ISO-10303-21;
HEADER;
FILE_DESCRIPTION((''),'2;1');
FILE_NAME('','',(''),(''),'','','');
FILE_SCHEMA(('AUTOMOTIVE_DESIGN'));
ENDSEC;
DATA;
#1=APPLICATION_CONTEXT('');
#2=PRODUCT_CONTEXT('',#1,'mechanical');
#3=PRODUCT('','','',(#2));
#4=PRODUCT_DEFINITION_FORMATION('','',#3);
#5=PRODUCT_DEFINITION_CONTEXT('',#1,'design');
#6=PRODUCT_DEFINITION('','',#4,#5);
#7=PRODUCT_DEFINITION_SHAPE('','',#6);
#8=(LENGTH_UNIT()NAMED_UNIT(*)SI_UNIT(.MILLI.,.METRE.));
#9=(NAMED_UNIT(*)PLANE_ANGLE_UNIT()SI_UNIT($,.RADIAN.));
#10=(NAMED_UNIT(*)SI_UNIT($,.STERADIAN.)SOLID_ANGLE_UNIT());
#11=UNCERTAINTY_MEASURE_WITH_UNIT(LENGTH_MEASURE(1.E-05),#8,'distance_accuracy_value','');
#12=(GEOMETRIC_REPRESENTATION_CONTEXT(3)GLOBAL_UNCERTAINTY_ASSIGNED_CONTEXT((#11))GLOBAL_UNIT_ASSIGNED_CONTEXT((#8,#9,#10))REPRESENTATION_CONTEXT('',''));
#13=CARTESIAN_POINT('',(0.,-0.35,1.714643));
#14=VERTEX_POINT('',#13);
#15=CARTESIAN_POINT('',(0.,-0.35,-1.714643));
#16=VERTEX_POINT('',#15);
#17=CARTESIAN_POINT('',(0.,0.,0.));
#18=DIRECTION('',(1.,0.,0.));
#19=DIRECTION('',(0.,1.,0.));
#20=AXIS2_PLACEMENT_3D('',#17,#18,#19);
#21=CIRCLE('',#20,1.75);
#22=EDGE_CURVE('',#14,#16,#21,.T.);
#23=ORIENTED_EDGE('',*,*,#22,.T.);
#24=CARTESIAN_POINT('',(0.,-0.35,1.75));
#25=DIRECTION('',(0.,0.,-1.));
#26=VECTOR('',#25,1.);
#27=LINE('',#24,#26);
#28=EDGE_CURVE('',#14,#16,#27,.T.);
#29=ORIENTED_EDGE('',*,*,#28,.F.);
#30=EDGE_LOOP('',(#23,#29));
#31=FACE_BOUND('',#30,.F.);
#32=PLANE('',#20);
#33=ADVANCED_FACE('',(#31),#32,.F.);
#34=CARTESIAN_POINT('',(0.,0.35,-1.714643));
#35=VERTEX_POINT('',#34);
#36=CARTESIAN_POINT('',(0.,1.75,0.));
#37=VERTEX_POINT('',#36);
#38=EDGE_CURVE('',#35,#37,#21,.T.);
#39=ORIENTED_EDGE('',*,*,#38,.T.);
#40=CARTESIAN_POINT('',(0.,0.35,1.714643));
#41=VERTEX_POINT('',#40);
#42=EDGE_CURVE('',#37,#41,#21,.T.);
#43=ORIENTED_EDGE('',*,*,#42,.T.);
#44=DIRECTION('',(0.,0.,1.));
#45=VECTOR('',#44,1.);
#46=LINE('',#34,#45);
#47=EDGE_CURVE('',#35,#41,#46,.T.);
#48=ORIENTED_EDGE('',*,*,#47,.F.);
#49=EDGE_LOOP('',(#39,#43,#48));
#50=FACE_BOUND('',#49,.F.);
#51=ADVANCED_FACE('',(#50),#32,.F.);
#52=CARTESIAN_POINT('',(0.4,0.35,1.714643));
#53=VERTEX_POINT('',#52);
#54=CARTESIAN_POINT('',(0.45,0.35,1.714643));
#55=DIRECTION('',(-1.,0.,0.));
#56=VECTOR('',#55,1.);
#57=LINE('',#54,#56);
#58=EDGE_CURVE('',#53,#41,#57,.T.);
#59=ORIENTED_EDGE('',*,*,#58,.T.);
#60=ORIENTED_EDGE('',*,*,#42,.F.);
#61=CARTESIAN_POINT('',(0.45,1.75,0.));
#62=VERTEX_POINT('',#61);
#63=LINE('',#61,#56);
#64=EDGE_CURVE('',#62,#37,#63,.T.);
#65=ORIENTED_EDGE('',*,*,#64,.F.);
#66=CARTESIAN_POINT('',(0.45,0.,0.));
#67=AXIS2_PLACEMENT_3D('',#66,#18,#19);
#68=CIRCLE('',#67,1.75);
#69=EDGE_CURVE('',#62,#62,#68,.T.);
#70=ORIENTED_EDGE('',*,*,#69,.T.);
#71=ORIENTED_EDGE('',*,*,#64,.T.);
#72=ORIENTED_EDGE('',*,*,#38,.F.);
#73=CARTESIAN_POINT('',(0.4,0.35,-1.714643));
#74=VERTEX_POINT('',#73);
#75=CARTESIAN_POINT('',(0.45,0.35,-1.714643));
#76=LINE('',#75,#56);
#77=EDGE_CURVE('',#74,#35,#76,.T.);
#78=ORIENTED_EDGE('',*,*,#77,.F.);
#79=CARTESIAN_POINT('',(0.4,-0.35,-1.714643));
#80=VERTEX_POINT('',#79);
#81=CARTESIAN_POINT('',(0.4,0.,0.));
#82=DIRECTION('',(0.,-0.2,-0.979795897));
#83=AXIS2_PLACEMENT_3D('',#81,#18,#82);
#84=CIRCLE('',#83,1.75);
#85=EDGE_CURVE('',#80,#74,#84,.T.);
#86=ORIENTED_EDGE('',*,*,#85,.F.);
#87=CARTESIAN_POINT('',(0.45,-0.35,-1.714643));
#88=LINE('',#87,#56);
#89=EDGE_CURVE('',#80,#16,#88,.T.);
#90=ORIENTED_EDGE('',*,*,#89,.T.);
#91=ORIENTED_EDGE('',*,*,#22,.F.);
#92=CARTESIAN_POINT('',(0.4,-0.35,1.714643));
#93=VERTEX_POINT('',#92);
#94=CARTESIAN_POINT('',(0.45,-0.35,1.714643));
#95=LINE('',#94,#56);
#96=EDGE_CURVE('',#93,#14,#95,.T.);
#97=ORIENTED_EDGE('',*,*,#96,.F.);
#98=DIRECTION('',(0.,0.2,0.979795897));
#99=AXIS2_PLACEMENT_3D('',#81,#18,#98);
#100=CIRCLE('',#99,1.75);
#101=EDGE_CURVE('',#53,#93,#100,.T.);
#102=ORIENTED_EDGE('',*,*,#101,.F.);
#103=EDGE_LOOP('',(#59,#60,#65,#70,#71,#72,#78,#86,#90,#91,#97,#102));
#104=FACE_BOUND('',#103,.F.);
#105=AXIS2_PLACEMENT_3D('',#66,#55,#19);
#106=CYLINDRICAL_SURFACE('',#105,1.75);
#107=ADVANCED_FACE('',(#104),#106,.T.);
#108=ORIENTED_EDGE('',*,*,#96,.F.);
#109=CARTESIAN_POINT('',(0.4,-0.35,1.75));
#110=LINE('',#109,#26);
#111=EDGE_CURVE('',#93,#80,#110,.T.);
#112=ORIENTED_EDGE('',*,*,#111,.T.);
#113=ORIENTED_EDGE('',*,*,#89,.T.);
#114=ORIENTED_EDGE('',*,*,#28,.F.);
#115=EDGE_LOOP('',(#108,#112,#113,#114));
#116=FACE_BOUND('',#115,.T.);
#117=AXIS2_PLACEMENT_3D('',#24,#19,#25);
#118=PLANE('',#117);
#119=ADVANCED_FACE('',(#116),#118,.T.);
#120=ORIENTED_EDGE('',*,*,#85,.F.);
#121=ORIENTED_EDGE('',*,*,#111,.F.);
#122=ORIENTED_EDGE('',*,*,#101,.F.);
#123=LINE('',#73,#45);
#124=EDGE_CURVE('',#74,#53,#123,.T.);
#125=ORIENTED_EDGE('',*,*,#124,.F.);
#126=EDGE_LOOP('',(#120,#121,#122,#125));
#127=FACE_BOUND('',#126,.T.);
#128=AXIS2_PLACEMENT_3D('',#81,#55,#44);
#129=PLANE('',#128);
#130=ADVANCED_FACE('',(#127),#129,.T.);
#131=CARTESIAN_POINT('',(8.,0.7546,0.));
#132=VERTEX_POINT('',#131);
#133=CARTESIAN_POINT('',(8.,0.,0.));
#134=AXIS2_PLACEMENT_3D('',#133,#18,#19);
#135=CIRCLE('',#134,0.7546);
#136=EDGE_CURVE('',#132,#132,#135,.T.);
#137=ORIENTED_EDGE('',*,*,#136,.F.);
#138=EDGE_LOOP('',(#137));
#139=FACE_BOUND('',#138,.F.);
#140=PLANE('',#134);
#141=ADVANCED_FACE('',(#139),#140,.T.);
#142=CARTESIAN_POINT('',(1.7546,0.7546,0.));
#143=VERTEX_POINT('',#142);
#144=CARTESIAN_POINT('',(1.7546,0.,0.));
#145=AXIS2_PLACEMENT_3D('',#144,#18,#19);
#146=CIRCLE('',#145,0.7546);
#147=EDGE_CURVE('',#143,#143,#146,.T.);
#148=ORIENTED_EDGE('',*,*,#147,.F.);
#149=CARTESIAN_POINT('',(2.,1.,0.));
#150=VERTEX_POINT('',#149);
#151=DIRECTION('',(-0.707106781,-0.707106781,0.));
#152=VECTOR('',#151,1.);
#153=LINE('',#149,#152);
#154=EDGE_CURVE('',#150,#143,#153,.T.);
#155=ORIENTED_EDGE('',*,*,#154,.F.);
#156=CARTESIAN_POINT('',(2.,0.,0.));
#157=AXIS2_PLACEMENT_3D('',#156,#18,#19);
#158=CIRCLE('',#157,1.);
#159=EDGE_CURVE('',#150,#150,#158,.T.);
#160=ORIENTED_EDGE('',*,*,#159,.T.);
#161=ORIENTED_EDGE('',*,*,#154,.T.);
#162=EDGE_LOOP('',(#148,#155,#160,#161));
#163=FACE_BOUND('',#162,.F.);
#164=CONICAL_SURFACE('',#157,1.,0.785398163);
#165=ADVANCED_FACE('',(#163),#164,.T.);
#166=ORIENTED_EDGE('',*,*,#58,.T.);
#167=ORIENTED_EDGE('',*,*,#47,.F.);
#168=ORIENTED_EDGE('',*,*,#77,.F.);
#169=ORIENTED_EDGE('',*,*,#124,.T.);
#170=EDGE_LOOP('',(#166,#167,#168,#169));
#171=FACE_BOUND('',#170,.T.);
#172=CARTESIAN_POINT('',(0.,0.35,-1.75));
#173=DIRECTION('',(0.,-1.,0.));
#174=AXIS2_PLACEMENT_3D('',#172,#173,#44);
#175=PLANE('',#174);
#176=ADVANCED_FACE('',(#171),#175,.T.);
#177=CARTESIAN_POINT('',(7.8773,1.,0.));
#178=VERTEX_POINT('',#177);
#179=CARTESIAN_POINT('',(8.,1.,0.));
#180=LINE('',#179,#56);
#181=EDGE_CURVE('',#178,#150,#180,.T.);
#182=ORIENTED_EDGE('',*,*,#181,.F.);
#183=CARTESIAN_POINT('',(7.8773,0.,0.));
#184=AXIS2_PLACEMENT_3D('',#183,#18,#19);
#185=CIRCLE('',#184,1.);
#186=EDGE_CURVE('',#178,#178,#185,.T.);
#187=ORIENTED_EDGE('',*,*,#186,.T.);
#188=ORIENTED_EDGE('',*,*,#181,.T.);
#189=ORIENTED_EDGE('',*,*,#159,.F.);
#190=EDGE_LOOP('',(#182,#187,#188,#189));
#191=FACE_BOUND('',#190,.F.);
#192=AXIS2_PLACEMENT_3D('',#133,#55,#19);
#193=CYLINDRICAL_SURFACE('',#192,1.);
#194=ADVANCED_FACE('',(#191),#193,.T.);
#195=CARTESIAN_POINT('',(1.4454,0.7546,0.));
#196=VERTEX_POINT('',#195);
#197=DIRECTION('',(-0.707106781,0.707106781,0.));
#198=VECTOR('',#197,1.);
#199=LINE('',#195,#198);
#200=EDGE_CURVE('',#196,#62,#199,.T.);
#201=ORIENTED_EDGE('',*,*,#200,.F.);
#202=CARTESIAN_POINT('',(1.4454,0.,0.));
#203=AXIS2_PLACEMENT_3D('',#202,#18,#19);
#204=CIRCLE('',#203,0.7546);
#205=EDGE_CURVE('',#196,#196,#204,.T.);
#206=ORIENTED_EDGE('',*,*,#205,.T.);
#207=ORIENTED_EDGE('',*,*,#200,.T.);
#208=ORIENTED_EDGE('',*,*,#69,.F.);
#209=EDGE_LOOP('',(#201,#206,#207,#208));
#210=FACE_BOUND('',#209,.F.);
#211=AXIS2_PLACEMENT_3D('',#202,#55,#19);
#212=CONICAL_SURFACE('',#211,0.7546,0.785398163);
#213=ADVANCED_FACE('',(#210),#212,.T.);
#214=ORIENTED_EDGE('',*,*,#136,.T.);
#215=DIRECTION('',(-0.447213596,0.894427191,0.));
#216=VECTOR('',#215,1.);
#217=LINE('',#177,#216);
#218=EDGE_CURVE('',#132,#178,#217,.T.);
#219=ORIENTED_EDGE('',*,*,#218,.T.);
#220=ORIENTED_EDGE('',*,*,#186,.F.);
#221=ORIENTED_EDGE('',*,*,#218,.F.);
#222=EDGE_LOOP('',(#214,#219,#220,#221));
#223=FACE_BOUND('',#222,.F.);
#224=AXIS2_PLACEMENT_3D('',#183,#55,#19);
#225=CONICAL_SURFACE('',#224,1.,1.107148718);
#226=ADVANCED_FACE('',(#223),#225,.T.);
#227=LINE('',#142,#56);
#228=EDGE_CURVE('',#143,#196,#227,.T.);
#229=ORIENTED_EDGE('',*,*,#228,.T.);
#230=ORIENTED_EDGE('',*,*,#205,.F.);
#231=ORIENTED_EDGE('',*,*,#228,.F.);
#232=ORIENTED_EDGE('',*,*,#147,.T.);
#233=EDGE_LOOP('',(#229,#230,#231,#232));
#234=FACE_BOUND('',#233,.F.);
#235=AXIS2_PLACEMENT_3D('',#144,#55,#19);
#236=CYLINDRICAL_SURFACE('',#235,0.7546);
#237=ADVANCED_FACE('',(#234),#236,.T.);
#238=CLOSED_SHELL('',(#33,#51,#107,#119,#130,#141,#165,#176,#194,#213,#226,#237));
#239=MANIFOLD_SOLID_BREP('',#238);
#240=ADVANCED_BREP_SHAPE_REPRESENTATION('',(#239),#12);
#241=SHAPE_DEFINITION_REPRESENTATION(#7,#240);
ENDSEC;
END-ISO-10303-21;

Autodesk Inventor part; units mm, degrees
ref_plane "YZ Plane" through (0, 0, 0) normal (1, 0, 0) x (0, 1, 0)
ref_plane "XZ Plane" through (0, 0, 0) normal (0, 1, 0) x (-1, 0, 0)
sketch "Sketch1" plane through (0, 0, 0) normal (0, 0, 1) x (1, 0, 0)
  line L0 (0, 0) -> (8, 0)
  line L1 (8, 0) -> (8, 1)
  line L2 (8, 1) -> (2, 1)
  line L3 (2, 1) -> (1.7546, 0.7546)
  line L4 (1.7546, 0.7546) -> (1.4454, 0.7546)
  line L5 (1.4454, 0.7546) -> (0.45, 1.75)
  line L6 (0.45, 1.75) -> (0, 1.75)
  line L7 (0, 1.75) -> (0, 0)
  line L8 (2, 1) -> (1.2, 1) construction
  line L9 (-1.6, 0) -> (9.6, 0) projected
  line L10 (0, 2.1) -> (0, -0.35) projected
  dimension "d0" = 8
  dimension "d1" = 45
  dimension "d2" = 0.2454
  dimension "d3" = 6
  dimension "d4" = 1.2
  dimension "d5" = 1.5092
  dimension "d6" = 2
  dimension "d7" = 3.5
revolve "Body" add sketch "Sketch1" angle 360 about axis through (0, 0, 0) along (1, 0, 0)
sketch "Sketch2" plane through (0, 0, 0) normal (-1, 0, 0) x (0, 0, 1)
  line L0 (1.75, -0.35) -> (-1.75, -0.35)
  line L1 (-1.75, -0.35) -> (-1.75, 0.35)
  line L2 (-1.75, 0.35) -> (1.75, 0.35)
  line L3 (1.75, 0.35) -> (1.75, -0.35)
  line L4 (0, 0.35) -> (0, -0.35) construction
  line L5 (-1.75, 0) -> (1.75, 0) construction
  line L6 (0, 1.75) -> (0, 0) projected
  dimension "d15" = 0.7
  dimension "d16" = 3.5
extrude "Slot" cut sketch "Sketch2" against normal blind 0.4
thread "Thread" size "M2x0.4" class "6g" standard "ISO Metric profile" length 6
chamfer "Chamfer1" distance 0.2454 distance2 0.1227 1 edges at (8, -1, 0) measured on face at (8, -0.0858, 0.7069)
ref_plane "Work Plane1" through (33.575, 0, 0) normal (0, 0, -1) x (1, 0, 0)
equation "\"d0\" = NLG"
equation "\"d1\" = 0.5 * SEWI"
equation "\"d2\" = GAL"
equation "\"d3\" = GEL"
equation "\"d4\" = KOH"
equation "\"d5\" = BDM"
equation "\"d6\" = GD"
equation "\"d7\" = KOD"
equation "\"d15\" = SBR"
equation "\"d16\" = KOD"
equation "\"d8\" = STI"
equation "\"d10\" = GEL"
equation "\"d12\" = -0.5 * SPD + 0.5 * GD"
equation "\"d13\" = 0.5 * GAL"
equation "\"NLG\" = 8"
equation "\"GAL\" = 0.61345 * PTC"
equation "\"GEL\" = 6"
equation "\"KOH\" = 1.2"
equation "\"KOD\" = 3.5"
equation "\"SEWI\" = 90deg"
equation "\"BDM\" = NND - 1.2269 * PTC"
equation "\"GD\" = NND"
equation "\"SBR\" = 0.7"
equation "\"STI\" = 0.4"
equation "\"SPD\" = NND - 1.2269 * PTC"
equation "\"GUL\" = 0.61345 * PTC"
equation "\"PTC\" = 0.4"
equation "\"EPV\" = 2.2"
equation "\"THREADDIA\" = 2"
equation "\"TOA\" = 30deg"
equation "\"RR\" = 0.2"
equation "\"NND\" = 2"
equation "\"GD1\" = THREADDIA - 1.2269 * PTC"
properties part number "AS 1427 - M2 x 8(8)" material "Steel, Mild"
